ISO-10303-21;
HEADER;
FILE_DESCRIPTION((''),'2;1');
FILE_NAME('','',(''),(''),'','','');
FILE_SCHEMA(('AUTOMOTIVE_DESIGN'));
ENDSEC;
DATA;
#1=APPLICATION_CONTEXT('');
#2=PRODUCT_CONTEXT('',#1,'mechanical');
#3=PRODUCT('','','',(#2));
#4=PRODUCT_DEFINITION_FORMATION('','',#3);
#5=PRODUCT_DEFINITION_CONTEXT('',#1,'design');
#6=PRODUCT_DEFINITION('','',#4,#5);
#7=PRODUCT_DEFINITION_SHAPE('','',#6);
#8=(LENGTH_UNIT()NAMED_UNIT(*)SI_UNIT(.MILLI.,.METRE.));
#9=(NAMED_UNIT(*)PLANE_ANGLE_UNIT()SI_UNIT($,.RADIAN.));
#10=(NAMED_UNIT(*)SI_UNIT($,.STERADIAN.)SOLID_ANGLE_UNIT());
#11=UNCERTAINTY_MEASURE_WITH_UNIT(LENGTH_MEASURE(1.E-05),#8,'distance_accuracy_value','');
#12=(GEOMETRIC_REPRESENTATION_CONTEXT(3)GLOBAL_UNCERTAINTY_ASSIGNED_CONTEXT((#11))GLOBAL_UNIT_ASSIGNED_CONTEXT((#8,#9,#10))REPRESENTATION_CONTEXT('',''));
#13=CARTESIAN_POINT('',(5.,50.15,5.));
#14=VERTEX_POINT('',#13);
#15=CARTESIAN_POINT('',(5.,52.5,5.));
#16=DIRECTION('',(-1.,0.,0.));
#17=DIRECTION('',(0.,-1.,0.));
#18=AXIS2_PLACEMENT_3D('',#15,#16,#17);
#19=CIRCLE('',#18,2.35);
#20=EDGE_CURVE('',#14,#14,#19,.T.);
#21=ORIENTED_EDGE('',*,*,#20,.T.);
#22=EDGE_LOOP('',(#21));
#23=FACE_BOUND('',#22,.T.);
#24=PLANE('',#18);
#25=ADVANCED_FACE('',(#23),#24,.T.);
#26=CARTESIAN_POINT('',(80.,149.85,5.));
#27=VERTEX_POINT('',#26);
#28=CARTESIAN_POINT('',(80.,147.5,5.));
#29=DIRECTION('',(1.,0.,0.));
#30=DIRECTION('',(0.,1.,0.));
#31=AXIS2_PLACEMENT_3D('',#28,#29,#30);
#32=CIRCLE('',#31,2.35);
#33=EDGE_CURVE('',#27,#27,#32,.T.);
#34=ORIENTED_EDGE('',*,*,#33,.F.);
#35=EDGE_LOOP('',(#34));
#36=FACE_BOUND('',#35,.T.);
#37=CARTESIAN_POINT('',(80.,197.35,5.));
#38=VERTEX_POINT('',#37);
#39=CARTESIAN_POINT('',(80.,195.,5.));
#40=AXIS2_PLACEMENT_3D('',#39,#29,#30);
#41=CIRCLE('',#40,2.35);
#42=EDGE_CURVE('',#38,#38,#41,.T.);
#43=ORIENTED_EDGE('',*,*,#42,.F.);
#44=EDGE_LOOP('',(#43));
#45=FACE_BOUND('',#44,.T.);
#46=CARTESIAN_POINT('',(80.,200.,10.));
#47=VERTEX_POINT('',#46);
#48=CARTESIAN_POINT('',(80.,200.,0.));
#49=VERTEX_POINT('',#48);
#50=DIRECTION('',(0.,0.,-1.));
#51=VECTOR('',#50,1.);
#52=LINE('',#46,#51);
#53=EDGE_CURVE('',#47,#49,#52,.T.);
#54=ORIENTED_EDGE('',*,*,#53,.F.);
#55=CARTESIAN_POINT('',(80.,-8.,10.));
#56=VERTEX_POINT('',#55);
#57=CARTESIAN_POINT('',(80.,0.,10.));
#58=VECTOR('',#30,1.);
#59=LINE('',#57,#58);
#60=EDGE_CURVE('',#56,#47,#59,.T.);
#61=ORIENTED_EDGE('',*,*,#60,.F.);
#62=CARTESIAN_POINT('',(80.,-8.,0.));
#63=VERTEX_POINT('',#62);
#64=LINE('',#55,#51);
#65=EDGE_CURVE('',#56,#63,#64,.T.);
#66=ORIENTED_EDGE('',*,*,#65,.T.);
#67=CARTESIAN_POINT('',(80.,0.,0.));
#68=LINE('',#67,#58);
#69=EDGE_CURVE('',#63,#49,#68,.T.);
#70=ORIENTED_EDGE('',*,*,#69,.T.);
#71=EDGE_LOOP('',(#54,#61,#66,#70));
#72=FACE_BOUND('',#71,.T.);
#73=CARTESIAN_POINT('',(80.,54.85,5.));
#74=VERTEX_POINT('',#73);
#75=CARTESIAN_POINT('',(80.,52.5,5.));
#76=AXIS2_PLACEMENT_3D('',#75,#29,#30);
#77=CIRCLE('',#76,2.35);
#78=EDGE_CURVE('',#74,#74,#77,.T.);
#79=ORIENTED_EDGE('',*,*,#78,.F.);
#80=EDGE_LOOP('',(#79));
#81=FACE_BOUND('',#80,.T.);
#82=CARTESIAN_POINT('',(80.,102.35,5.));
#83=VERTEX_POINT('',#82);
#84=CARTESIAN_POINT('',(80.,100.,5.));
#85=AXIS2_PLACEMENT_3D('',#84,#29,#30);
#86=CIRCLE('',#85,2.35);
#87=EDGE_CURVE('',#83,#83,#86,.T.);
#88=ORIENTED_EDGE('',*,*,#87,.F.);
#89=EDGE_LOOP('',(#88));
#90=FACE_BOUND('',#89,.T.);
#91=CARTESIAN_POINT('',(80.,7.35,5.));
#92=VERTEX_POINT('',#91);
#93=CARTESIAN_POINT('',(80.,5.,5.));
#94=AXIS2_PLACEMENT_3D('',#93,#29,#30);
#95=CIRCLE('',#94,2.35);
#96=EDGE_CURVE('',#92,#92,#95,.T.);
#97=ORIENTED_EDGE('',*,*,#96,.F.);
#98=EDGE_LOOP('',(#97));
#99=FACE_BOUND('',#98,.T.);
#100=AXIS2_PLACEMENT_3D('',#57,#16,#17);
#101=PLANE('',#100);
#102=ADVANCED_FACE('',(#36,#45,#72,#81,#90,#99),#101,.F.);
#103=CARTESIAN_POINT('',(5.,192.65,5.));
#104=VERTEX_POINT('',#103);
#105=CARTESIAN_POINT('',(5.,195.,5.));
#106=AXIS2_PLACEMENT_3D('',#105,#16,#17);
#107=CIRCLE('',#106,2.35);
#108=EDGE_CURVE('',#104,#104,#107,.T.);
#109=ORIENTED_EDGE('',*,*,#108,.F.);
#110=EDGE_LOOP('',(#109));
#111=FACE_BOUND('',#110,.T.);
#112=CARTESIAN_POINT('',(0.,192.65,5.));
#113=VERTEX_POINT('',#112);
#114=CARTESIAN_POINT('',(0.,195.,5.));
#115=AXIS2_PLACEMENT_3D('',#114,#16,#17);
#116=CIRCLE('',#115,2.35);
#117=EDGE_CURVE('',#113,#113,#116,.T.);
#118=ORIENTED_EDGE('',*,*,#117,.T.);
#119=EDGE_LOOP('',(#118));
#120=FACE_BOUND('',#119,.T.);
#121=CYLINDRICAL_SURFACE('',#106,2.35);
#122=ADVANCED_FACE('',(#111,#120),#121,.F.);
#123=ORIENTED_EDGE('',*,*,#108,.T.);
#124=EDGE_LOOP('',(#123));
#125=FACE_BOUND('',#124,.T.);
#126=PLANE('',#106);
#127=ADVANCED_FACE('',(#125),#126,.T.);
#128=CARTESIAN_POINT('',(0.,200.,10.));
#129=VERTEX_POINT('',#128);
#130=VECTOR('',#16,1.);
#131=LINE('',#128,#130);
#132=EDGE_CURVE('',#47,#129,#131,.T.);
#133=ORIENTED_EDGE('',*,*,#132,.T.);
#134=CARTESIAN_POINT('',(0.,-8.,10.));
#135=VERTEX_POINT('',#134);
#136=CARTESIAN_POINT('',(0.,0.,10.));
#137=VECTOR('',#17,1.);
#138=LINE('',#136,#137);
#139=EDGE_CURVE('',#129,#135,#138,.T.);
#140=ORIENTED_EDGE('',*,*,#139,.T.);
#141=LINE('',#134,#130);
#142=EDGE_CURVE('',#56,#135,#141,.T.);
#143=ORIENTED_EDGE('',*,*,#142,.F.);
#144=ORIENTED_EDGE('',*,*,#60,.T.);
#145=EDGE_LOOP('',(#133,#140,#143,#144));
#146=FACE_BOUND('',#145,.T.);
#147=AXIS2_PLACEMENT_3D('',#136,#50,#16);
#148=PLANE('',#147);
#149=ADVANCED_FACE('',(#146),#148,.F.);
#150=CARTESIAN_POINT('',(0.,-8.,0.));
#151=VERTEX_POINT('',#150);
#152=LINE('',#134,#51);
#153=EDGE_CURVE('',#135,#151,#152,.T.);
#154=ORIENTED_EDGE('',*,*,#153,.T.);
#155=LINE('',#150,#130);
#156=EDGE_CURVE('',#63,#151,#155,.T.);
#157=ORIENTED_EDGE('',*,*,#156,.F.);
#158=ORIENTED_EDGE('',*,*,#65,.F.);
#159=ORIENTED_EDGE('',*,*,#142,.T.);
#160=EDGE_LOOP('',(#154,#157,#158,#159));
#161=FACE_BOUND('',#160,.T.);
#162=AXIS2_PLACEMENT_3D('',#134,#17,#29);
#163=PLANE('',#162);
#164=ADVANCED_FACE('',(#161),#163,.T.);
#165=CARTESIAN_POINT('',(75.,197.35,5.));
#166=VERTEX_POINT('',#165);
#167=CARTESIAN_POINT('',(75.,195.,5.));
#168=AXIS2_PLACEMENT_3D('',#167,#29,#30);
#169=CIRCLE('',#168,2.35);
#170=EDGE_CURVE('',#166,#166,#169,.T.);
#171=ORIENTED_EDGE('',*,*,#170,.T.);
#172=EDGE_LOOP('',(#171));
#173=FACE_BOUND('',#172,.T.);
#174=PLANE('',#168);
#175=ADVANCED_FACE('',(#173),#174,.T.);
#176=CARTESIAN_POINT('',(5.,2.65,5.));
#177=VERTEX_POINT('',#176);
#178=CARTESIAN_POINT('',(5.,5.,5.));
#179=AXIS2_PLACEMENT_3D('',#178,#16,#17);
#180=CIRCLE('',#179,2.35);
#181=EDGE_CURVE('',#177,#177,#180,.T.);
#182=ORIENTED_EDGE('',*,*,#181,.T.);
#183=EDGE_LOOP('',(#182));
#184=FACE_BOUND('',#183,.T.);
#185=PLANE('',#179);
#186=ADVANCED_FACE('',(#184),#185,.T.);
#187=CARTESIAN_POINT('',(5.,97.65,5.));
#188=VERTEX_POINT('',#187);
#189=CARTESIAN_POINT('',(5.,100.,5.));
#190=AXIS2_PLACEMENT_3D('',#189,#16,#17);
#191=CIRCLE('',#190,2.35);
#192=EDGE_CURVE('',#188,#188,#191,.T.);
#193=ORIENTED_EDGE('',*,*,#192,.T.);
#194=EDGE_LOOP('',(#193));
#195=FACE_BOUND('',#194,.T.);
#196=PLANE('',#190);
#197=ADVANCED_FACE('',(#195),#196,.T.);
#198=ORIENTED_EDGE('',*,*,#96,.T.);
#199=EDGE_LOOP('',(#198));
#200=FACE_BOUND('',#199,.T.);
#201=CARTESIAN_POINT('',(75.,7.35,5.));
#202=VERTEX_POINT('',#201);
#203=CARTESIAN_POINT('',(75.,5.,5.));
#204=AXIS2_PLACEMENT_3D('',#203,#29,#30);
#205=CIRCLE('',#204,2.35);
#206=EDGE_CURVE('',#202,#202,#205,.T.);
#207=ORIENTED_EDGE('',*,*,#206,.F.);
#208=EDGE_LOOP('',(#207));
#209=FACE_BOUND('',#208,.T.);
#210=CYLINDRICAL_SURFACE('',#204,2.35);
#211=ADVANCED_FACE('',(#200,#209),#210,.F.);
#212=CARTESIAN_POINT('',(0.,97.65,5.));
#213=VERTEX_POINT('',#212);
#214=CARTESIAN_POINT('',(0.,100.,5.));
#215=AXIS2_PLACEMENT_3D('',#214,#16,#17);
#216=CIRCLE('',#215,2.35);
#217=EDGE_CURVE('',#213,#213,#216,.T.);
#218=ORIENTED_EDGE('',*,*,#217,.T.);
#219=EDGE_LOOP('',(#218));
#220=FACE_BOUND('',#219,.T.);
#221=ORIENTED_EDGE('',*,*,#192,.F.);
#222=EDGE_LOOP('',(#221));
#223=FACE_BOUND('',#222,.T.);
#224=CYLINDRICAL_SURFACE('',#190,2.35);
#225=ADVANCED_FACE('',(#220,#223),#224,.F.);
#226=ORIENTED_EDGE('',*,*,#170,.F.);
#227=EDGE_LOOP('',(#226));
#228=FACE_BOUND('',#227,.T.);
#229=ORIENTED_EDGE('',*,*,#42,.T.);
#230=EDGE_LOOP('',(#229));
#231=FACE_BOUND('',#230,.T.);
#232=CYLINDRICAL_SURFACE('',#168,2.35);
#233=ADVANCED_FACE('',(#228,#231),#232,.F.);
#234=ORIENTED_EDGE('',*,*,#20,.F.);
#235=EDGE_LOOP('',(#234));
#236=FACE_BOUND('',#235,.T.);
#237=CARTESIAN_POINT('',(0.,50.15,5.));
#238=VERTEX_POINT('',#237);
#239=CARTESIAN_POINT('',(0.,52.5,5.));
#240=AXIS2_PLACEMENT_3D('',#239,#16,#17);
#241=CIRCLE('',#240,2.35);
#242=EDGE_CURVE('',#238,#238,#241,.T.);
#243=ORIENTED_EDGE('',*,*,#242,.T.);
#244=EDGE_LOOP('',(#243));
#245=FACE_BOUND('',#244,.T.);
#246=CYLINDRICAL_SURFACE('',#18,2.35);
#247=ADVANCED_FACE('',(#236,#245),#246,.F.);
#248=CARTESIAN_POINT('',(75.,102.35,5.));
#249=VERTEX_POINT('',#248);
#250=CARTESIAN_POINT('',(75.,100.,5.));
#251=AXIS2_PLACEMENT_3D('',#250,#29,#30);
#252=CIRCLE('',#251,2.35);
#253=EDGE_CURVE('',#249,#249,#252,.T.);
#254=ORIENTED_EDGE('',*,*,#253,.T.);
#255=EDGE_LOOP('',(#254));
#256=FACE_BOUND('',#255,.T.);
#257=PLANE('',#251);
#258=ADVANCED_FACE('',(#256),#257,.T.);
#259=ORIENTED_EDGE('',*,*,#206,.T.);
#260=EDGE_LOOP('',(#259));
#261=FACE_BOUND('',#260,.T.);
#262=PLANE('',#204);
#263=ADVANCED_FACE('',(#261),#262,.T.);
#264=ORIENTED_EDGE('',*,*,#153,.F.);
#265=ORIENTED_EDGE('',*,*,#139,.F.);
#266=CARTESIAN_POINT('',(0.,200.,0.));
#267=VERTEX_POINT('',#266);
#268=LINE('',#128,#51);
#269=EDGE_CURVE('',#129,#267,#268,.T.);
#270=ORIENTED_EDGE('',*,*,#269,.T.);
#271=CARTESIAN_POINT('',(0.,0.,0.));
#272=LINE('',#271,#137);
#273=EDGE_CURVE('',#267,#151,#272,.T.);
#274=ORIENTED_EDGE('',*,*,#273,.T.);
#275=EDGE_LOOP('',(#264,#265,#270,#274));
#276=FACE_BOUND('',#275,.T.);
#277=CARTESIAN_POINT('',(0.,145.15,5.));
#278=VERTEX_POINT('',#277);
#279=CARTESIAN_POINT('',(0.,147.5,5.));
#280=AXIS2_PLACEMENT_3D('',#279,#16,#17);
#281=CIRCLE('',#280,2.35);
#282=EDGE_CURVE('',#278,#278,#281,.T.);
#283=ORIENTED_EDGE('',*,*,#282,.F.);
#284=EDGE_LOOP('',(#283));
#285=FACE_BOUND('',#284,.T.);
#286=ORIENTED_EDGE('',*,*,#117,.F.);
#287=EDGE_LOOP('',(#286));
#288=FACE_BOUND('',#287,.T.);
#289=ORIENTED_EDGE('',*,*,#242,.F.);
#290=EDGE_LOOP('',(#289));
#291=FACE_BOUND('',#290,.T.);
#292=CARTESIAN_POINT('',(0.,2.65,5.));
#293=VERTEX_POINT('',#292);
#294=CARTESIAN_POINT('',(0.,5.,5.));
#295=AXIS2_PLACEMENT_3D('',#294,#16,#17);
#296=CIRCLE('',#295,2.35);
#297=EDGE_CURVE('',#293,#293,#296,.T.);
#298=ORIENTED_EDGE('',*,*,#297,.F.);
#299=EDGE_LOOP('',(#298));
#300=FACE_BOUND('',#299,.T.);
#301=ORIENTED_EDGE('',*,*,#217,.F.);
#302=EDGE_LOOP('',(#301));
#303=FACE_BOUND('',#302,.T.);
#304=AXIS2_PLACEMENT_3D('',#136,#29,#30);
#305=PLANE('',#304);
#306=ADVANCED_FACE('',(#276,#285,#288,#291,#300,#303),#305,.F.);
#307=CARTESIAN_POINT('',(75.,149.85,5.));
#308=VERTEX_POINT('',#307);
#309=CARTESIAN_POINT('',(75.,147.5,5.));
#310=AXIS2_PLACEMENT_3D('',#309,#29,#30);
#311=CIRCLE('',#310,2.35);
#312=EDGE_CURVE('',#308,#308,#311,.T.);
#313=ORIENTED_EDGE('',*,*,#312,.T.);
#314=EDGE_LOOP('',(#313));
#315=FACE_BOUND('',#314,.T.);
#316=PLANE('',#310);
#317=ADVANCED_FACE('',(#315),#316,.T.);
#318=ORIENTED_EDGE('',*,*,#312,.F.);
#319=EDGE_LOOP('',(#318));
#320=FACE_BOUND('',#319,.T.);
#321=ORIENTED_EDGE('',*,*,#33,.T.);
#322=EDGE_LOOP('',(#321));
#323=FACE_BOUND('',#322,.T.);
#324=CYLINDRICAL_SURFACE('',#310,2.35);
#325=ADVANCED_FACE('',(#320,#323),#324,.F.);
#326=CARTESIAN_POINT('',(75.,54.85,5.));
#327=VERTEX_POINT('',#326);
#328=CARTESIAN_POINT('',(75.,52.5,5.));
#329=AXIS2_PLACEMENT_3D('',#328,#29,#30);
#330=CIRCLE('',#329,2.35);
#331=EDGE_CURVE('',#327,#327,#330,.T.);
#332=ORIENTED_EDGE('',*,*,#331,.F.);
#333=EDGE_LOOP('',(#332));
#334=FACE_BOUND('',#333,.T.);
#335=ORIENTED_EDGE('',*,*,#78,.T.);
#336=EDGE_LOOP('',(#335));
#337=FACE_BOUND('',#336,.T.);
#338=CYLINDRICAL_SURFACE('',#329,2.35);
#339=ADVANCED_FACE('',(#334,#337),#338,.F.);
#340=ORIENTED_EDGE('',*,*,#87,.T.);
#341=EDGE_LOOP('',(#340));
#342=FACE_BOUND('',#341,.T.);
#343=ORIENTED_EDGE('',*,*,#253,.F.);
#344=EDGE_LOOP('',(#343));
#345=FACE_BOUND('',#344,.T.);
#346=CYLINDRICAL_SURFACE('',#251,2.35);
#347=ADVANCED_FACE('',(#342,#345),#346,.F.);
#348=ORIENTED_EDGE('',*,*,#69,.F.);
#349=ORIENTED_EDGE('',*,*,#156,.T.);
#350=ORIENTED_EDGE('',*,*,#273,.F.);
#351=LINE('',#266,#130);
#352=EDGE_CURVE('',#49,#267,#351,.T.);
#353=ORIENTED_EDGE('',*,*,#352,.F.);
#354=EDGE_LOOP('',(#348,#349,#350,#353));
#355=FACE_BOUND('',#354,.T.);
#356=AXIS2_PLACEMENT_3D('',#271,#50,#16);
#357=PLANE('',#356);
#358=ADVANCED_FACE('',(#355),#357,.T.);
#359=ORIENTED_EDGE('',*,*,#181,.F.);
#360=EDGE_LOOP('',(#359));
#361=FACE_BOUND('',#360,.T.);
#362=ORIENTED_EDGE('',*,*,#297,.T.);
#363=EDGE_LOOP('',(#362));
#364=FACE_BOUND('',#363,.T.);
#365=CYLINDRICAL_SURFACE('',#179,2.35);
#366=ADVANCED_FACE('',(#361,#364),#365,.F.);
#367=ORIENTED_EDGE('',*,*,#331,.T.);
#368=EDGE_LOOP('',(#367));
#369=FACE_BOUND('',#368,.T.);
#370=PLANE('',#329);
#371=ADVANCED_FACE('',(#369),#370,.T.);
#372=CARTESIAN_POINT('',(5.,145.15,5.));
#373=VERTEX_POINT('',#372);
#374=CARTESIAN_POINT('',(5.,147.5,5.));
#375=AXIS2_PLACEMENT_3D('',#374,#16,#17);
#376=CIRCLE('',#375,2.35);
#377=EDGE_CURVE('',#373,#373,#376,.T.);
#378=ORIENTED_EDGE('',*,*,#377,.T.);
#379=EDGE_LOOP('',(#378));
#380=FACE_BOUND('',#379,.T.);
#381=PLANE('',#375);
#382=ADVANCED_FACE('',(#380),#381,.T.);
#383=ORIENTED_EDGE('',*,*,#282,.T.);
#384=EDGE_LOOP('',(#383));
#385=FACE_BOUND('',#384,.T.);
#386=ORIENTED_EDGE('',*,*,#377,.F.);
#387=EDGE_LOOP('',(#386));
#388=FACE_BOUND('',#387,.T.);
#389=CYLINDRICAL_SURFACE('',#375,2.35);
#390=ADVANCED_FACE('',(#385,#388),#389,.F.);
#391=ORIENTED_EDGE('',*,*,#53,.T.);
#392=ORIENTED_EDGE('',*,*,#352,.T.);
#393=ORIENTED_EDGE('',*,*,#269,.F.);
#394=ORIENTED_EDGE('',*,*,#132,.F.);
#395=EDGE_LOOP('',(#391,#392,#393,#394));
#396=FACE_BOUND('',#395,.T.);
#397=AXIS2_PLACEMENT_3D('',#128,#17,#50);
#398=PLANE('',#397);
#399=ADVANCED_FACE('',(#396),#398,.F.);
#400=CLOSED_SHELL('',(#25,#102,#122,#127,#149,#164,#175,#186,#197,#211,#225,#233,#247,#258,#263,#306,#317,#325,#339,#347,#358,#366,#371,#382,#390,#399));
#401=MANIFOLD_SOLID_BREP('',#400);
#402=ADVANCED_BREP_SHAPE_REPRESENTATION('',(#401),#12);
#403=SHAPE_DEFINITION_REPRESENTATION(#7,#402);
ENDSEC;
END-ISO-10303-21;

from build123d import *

# Parameters (mm, degrees)
CROQUIS1_W              = 80
CROQUIS1_H              = 200
SALIENTE_EXTRUIR1_DEPTH = 10
CROQUIS3_R              = 2.35
CORTAR_EXTRUIR2_DEPTH   = 5
CORTAR_EXTRUIR3_START   = -5
CROQUIS4_R              = 2.35
CORTAR_EXTRUIR3_DEPTH   = 5
CROQUIS5_W              = 80
CROQUIS5_H              = 8
SALIENTE_EXTRUIR2_DEPTH = 10


with BuildPart() as part:
    # Croquis1 → Saliente-Extruir1 (new body)
    with BuildSketch(Plane.XY):
        with Locations((40, 100)):
            Rectangle(CROQUIS1_W, CROQUIS1_H)
    extrude(amount=SALIENTE_EXTRUIR1_DEPTH)

    # Croquis3 → Cortar-Extruir2 (cut)
    with BuildSketch(Plane.ZY):
        with Locations(Location((5, 195, 0), (0, 0, 270))):
            Circle(CROQUIS3_R)
        with Locations(Location((5, 147.5, 0), (0, 0, 270))):
            Circle(CROQUIS3_R)
        with Locations(Location((5, 100, 0), (0, 0, 270))):
            Circle(CROQUIS3_R)
        with Locations(Location((5, 52.5, 0), (0, 0, 270))):
            Circle(CROQUIS3_R)
        with Locations(Location((5, 5, 0), (0, 0, 270))):
            Circle(CROQUIS3_R)
    extrude(amount=-CORTAR_EXTRUIR2_DEPTH, mode=Mode.SUBTRACT)

    # Croquis4 → Cortar-Extruir3 (cut)
    with BuildSketch(Plane(origin=(80, 0, 0), x_dir=(0, 0, -1), z_dir=(1, 0, 0)).offset(CORTAR_EXTRUIR3_START)):
        with Locations(Location((-5, 195, 0), (0, 0, 270))):
            Circle(CROQUIS4_R)
        with Locations(Location((-5, 147.5, 0), (0, 0, 270))):
            Circle(CROQUIS4_R)
        with Locations(Location((-5, 100, 0), (0, 0, 270))):
            Circle(CROQUIS4_R)
        with Locations(Location((-5, 52.5, 0), (0, 0, 270))):
            Circle(CROQUIS4_R)
        with Locations(Location((-5, 5, 0), (0, 0, 270))):
            Circle(CROQUIS4_R)
    extrude(amount=CORTAR_EXTRUIR3_DEPTH, mode=Mode.SUBTRACT)

    # Croquis5 → Saliente-Extruir2 (add)
    with BuildSketch(Plane(origin=(0, 0, 0), x_dir=(-1, 0, 0), z_dir=(0, 0, -1))):
        with Locations((-40, -4)):
            Rectangle(CROQUIS5_W, CROQUIS5_H)
    extrude(amount=-SALIENTE_EXTRUIR2_DEPTH)


solid = part.part
